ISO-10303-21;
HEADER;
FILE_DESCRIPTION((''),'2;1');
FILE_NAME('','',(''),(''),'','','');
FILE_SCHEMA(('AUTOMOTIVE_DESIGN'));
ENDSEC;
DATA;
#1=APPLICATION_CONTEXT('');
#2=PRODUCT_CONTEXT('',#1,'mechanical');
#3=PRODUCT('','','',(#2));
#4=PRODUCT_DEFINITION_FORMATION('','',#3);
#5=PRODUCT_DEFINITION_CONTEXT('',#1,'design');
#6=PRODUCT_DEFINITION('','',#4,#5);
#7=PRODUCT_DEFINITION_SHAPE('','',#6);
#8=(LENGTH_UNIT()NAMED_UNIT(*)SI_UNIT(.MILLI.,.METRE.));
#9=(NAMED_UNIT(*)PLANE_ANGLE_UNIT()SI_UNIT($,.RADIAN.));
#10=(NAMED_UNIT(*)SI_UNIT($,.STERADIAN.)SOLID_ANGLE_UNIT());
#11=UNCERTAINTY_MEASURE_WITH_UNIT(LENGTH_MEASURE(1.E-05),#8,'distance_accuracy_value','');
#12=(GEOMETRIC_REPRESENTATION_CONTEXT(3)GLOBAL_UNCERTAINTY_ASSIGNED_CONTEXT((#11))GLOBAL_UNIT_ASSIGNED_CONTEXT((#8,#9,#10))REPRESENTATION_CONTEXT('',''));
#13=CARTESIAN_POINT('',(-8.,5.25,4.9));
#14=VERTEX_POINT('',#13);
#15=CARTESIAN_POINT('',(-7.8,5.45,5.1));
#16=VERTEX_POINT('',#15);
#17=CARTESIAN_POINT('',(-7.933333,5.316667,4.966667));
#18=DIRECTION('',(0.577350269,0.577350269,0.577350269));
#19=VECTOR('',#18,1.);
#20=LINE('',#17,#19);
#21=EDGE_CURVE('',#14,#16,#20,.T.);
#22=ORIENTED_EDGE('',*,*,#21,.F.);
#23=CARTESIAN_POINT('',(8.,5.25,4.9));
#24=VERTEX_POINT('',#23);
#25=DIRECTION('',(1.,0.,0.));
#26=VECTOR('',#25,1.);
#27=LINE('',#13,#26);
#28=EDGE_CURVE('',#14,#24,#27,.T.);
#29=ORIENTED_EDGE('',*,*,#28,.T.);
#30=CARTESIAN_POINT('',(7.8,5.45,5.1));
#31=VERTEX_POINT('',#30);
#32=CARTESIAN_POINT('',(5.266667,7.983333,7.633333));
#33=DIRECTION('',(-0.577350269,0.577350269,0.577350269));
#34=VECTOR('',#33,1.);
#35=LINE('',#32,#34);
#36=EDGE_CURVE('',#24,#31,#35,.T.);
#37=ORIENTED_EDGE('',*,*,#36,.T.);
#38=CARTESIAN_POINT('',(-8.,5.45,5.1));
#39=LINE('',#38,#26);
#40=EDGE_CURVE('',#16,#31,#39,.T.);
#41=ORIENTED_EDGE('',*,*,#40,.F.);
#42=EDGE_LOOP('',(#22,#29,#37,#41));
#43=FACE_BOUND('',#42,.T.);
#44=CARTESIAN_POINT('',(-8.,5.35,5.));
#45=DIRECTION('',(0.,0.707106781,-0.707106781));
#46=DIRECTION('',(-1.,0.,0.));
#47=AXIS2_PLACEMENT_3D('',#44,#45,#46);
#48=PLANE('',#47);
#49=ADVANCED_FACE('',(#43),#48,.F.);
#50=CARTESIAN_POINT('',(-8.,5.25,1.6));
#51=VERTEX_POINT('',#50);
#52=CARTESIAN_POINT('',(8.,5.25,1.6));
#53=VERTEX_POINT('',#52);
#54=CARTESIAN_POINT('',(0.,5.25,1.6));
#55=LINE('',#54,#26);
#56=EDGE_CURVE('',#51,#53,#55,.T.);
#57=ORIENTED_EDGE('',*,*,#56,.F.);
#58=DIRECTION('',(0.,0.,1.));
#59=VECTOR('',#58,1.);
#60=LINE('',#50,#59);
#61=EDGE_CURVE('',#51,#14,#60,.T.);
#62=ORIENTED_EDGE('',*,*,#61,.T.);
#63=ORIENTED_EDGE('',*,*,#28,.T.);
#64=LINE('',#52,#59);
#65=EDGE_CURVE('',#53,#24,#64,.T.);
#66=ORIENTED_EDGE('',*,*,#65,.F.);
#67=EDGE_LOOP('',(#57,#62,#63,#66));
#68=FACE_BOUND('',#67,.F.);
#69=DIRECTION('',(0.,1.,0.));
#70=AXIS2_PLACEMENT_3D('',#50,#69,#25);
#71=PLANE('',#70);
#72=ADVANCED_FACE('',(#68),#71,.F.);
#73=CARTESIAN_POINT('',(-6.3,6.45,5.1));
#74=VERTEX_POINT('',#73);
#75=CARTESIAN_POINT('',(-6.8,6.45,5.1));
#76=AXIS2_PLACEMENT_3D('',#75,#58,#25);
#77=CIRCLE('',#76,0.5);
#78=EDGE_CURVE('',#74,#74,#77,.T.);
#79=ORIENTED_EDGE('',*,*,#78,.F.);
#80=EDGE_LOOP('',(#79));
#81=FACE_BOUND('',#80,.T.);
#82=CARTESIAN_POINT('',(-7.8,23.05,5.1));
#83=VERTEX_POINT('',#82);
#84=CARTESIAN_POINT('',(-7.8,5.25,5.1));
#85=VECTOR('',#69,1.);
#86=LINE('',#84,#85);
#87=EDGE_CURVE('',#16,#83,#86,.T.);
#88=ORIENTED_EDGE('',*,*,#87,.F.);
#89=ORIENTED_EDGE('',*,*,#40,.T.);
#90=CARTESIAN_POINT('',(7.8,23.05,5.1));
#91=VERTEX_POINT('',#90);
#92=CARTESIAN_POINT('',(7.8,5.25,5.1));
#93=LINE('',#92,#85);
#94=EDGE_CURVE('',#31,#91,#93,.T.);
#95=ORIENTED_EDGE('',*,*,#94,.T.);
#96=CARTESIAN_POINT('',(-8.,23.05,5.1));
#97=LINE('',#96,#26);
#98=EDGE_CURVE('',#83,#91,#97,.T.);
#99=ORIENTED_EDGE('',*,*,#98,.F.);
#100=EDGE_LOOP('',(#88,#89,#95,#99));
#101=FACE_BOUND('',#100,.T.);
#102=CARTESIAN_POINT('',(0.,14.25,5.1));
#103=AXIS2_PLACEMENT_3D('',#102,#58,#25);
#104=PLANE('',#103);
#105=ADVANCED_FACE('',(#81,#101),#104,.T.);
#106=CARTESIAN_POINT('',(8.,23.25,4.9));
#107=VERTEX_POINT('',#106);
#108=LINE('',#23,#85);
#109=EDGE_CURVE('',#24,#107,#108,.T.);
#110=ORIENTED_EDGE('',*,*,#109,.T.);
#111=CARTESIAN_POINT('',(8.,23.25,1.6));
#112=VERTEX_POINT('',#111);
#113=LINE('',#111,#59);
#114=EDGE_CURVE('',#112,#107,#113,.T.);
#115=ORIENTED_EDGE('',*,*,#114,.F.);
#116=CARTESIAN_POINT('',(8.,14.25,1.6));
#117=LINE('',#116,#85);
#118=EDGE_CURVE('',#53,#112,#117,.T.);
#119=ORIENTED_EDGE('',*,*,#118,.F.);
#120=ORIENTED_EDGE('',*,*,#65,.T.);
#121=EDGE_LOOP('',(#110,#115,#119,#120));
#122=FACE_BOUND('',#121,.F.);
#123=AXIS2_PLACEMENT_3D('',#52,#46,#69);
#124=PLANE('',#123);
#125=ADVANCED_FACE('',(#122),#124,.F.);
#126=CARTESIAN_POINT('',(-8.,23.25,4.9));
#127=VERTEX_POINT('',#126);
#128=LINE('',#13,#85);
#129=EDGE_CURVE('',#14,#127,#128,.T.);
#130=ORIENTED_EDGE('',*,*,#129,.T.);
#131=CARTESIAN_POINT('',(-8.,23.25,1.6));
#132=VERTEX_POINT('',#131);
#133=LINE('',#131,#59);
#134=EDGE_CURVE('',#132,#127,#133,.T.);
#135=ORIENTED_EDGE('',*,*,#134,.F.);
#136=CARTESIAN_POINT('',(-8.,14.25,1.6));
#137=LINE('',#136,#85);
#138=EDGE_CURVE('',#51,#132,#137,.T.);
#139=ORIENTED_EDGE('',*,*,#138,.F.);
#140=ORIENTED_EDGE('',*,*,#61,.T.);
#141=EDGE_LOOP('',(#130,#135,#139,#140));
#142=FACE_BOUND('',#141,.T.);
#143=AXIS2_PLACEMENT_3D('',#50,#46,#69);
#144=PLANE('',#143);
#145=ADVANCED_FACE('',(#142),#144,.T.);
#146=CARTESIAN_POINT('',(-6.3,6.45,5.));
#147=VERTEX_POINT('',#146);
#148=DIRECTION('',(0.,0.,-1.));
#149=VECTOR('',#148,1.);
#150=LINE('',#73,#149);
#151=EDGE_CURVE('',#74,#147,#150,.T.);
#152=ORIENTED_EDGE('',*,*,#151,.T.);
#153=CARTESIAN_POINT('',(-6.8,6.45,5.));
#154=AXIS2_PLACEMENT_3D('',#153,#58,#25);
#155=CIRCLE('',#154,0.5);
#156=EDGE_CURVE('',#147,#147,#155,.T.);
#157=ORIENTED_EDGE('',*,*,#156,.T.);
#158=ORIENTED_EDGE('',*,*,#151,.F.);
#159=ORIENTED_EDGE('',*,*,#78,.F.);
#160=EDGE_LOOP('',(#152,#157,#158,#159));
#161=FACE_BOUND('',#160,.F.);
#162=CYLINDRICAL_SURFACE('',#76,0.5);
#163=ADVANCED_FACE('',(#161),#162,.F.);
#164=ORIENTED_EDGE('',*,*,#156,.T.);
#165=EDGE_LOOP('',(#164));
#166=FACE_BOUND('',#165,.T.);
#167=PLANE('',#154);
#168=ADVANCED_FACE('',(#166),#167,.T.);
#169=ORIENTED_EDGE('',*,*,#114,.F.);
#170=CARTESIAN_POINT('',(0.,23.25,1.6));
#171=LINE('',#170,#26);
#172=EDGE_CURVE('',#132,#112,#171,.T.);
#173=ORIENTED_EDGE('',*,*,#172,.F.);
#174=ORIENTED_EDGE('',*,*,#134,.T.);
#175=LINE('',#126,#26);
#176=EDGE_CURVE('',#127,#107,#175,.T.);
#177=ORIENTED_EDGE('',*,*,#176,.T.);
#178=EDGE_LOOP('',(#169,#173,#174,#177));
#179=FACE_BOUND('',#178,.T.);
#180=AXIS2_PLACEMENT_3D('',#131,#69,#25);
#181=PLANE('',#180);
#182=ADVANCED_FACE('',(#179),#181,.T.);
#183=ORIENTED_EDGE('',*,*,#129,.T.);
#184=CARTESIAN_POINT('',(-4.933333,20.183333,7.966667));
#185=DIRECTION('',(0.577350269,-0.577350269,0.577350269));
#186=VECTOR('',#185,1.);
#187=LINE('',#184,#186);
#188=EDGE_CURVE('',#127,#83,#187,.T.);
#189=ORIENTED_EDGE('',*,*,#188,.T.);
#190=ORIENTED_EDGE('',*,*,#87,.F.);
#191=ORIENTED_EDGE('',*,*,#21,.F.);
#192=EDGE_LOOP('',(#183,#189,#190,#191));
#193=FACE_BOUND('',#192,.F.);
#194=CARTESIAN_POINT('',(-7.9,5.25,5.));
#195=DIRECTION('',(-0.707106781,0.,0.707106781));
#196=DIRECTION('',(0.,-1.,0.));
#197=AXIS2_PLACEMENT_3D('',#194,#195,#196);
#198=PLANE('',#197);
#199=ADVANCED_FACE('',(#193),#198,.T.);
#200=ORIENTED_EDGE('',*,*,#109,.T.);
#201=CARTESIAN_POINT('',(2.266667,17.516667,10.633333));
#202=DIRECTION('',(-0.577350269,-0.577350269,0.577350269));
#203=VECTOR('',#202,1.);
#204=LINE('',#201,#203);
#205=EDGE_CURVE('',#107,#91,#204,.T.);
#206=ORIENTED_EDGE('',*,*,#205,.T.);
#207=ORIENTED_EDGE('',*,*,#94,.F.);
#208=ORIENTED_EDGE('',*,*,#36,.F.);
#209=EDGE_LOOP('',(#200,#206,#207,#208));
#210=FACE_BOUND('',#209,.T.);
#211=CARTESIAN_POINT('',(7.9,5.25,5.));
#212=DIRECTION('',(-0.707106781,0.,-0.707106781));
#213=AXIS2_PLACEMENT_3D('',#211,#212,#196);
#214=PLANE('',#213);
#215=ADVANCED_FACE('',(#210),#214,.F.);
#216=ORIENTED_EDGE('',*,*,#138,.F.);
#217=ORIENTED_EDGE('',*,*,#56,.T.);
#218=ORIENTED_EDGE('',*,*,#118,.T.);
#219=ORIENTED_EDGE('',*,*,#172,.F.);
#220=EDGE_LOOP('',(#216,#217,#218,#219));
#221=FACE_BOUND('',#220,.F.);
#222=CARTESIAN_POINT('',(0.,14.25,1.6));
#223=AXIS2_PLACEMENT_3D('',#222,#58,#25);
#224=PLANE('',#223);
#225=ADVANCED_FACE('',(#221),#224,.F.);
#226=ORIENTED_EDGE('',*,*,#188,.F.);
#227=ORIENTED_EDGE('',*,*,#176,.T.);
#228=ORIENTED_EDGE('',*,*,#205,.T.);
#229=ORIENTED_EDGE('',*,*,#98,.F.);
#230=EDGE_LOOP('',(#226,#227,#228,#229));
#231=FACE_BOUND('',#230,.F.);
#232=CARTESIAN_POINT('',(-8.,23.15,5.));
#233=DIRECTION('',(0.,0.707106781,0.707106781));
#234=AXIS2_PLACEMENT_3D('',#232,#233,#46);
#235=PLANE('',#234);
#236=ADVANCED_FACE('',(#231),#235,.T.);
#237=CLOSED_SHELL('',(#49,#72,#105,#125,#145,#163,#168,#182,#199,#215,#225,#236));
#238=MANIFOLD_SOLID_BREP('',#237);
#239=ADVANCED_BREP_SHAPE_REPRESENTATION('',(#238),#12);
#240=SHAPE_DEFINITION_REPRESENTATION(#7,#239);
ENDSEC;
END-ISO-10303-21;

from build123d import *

# Parameters (mm, degrees)
SKETCH001_W  = 16
SKETCH001_H  = 18
PAD001_DEPTH = 3.5
CHAMFER_SIZE = 0.2
SKETCH002_R  = 0.5
POCKET_DEPTH = 0.1


with BuildPart() as part:
    # Sketch001 (on Face1 of CopyPad) → Pad001 (new body)
    with BuildSketch(Plane.XY.offset(1.6)):
        with Locations((0, 14.25)):
            Rectangle(SKETCH001_W, SKETCH001_H)
    extrude(amount=PAD001_DEPTH)

    # Chamfer
    chamfer_edges = [part.edges().sort_by_distance(p)[0] for p in [
        (0, 23.25, 5.1),
        (8, 14.25, 5.1),
        (0, 5.25, 5.1),
        (-8, 14.25, 5.1),
    ]]
    chamfer(chamfer_edges, length=CHAMFER_SIZE)

    # Sketch002 (on Face8 of Chamfer) → Pocket (cut)
    with BuildSketch(Plane.XY.offset(5.1)):
        with Locations((-6.8, 6.45)):
            Circle(SKETCH002_R)
    extrude(amount=-POCKET_DEPTH, mode=Mode.SUBTRACT)


solid = part.part
